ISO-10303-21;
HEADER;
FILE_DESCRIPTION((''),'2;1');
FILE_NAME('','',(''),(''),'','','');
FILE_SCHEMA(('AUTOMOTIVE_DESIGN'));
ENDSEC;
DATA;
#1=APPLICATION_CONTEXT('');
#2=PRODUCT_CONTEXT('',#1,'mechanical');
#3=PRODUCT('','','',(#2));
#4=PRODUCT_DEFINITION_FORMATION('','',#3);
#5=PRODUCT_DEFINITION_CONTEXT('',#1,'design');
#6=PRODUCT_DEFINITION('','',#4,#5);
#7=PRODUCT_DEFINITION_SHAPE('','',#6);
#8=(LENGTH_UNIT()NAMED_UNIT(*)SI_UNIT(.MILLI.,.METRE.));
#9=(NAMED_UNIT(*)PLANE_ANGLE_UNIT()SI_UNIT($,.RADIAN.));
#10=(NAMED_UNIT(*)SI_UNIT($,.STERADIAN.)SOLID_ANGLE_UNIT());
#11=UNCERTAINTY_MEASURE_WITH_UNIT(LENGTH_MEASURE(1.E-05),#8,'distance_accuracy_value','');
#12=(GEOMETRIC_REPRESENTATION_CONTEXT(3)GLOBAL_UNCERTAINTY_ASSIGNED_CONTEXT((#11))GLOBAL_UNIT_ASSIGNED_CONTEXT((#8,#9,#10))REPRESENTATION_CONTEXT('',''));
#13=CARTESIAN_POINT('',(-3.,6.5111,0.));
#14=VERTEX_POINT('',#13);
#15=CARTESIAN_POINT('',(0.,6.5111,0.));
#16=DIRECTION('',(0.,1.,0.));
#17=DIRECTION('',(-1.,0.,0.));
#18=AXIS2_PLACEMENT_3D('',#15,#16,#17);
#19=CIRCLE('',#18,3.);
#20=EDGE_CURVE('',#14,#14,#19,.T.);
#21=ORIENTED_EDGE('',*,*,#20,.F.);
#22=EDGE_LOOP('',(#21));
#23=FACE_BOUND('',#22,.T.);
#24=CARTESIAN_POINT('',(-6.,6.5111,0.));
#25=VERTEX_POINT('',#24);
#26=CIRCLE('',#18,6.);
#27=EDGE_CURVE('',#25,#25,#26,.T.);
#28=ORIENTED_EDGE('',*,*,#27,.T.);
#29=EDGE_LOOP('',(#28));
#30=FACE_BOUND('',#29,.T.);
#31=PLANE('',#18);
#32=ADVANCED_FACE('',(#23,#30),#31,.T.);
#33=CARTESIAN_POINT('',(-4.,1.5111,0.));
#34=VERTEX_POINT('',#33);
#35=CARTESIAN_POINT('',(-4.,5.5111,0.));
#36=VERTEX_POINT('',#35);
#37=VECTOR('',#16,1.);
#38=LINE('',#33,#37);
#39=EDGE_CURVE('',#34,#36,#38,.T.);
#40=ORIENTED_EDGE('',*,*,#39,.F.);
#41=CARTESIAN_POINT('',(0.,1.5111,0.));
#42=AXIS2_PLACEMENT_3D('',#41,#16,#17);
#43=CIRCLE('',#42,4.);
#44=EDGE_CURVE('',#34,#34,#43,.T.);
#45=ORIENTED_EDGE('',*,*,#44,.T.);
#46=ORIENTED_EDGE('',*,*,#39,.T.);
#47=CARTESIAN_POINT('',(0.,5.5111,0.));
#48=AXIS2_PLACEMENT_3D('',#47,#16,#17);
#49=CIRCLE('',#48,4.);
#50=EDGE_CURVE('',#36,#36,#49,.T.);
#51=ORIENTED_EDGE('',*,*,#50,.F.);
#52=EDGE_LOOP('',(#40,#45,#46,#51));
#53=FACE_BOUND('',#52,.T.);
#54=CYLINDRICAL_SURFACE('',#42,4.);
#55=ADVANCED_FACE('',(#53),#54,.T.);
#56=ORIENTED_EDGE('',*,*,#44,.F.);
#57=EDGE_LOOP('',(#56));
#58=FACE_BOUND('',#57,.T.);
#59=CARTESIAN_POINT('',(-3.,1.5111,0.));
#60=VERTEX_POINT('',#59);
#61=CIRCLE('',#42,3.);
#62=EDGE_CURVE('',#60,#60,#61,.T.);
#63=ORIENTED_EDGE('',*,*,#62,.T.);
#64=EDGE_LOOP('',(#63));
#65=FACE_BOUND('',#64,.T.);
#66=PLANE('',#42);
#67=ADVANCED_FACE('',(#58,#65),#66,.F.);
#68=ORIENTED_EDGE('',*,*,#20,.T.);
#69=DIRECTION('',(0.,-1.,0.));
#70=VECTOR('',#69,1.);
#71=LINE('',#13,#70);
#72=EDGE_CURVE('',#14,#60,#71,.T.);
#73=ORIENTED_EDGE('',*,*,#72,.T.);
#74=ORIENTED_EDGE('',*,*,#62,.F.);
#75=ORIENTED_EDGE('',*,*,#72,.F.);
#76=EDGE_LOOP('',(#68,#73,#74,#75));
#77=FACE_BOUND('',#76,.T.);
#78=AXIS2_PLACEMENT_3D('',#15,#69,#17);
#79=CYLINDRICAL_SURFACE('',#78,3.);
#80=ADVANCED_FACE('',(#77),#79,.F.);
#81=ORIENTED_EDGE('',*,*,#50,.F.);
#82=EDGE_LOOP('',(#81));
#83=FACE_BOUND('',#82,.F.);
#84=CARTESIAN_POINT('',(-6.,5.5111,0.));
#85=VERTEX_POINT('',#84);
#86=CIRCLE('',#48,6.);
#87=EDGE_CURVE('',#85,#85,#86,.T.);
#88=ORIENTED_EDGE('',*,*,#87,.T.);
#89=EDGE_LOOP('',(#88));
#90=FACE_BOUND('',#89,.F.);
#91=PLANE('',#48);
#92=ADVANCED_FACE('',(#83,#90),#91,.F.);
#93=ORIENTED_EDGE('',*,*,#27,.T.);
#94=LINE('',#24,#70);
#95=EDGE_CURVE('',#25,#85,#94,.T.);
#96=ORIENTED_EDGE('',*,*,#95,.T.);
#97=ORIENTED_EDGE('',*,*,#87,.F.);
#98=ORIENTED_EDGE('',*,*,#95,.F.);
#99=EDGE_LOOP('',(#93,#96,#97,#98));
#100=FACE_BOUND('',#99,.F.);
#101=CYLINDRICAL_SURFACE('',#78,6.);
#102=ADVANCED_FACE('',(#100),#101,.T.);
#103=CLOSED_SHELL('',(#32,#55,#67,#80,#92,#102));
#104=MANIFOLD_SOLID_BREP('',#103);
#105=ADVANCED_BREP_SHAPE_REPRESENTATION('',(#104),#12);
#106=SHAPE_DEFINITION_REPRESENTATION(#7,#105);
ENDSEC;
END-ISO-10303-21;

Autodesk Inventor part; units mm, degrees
ref_plane "YZ Plane" through (0, 0, 0) normal (1, 0, 0) x (0, 1, 0)
ref_plane "XZ Plane" through (0, 0, 0) normal (0, 1, 0) x (-1, 0, 0)
ref_plane "XY Plane" through (0, 0, 0) normal (0, 0, 1) x (1, 0, 0)
sketch "スケッチ1" plane through (0, 0, 0) normal (0, 0, 1) x (1, 0, 0)
  line L0 (0, 0) -> (0, 10)
  line L1 (-4, 6.5111) -> (-3, 6.5111)
  line L2 (-3, 6.5111) -> (-3, 1.5111)
  line L3 (-3, 1.5111) -> (-4, 1.5111)
  line L4 (-4, 1.5111) -> (-4, 6.5111)
  line L5 (-4, 6.5111) -> (-6, 6.5111)
  line L6 (-6, 6.5111) -> (-6, 5.5111)
  line L7 (-6, 5.5111) -> (-4, 5.5111)
  line L8 (-4, 5.5111) -> (-4, 6.5111)
  point P0 (0, 0)
  dimension "d0" = 10
  dimension "d1" = 6
  dimension "d2" = 0
  dimension "d3" = 1
  dimension "d4" = 1
  dimension "d5" = 12
  dimension "d6" = 5
revolve "回転1" add sketch "スケッチ1" angle 360 about axis through (0, 0, 0) along (0, 1, 0)
properties part number "80F-0605"
